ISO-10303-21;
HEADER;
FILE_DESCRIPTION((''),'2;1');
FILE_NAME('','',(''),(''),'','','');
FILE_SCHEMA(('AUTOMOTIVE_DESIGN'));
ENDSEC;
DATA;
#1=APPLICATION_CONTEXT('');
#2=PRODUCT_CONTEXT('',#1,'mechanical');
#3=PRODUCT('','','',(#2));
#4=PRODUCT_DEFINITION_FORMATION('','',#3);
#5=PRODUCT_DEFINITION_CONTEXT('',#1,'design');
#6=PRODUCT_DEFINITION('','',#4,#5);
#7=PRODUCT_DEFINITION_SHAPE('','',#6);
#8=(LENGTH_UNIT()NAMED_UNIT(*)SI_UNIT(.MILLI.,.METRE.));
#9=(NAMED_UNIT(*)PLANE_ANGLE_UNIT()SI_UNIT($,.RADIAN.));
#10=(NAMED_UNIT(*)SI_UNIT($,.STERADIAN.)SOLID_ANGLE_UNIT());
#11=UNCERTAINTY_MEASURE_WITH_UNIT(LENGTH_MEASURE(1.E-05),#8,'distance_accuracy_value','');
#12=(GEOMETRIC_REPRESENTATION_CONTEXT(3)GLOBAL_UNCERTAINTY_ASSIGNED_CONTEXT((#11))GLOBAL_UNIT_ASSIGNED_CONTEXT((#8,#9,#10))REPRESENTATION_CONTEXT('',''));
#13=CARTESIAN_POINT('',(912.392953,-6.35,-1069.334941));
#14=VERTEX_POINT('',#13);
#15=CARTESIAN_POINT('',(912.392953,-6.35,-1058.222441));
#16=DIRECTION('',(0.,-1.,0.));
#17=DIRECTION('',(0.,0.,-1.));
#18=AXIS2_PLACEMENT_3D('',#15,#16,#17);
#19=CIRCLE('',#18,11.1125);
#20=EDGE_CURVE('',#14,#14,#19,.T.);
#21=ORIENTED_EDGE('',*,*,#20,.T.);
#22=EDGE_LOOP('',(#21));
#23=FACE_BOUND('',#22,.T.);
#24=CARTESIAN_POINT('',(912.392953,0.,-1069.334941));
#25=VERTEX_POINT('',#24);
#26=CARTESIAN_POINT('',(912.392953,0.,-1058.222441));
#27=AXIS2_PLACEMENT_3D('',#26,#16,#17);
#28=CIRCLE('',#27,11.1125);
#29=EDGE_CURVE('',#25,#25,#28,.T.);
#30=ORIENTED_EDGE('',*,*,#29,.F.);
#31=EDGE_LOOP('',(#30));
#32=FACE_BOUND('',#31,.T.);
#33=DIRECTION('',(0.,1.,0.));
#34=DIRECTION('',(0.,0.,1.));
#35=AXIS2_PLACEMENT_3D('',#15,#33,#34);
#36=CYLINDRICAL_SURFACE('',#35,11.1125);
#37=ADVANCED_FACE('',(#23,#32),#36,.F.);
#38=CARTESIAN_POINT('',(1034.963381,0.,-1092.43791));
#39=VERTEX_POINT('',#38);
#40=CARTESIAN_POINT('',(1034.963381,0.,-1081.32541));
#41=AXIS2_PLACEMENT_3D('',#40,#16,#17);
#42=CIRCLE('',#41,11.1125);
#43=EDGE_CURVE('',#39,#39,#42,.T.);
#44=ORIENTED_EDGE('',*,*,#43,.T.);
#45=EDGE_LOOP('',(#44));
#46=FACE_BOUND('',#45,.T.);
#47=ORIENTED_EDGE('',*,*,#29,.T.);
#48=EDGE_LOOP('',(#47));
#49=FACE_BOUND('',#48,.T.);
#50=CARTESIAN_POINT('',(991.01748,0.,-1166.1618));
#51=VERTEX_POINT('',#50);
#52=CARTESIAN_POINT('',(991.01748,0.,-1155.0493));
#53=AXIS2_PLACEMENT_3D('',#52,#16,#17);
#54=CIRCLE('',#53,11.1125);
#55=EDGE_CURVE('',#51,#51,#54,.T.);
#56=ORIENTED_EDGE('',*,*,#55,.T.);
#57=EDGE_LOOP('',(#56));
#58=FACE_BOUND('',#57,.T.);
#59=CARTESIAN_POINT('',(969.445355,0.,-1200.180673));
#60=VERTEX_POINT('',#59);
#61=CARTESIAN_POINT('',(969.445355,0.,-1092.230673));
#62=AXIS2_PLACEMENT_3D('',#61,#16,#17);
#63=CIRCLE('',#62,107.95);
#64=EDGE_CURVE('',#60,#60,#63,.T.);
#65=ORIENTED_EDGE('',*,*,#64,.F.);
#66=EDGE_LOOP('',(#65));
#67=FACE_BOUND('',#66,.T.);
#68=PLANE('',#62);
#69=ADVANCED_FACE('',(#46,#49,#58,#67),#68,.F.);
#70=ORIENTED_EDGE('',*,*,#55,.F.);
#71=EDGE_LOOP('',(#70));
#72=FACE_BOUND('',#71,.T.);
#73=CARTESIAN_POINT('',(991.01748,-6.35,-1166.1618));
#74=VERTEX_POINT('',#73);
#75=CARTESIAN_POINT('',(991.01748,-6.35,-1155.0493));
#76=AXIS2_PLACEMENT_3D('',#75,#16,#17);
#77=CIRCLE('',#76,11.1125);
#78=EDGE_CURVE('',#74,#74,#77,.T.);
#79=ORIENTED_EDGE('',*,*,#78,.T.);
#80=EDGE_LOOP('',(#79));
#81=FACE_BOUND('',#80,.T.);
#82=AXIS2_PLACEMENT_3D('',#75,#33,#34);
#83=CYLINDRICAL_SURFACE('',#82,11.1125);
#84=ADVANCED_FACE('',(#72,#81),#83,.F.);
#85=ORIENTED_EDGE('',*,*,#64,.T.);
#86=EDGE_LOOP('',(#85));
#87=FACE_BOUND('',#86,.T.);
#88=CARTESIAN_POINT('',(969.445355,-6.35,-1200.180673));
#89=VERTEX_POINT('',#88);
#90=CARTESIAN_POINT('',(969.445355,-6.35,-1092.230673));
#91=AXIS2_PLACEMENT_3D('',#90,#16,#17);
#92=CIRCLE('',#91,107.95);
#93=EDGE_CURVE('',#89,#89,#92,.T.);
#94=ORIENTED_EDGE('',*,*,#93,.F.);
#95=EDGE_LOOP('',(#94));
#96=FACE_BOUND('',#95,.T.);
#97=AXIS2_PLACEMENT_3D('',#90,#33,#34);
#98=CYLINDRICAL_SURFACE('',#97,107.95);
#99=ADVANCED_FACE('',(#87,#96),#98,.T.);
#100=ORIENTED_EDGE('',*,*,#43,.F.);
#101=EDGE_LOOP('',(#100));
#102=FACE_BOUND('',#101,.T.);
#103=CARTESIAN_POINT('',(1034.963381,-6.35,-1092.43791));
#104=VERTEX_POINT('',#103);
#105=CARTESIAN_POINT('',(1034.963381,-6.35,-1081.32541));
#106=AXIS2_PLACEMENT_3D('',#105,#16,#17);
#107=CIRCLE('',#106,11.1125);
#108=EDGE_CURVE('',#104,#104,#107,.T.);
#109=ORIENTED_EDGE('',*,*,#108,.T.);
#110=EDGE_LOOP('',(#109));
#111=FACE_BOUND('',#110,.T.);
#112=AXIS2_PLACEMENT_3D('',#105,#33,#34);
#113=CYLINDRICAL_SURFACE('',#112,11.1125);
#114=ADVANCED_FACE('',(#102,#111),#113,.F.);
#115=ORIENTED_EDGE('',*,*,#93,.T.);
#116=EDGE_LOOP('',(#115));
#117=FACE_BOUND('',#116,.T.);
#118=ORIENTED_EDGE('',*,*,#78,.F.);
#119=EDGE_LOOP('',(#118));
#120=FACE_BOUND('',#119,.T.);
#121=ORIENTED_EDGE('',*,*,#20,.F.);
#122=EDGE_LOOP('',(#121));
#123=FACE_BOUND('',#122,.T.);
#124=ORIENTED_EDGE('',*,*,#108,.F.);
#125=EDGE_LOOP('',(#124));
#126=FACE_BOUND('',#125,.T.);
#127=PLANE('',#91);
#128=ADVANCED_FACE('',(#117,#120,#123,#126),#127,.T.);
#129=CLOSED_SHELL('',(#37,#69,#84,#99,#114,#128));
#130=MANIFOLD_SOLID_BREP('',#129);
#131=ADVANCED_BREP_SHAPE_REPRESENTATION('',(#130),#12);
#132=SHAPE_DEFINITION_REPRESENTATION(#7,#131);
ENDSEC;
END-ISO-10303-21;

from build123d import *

# Parameters (mm, degrees)
SKETCH1_R           = 107.95
SKETCH1_R_2         = 11.1125
BOSS_EXTRUDE1_DEPTH = 6.35


with BuildPart() as part:
    # Sketch1 → Boss-Extrude1 (new body)
    with BuildSketch(Plane.XZ):
        with Locations(Location((969.445355233, -1092.230672994, 0), (0, 0, 270))):
            Circle(SKETCH1_R)
        with Locations(Location((1034.963380784, -1081.325409572, 0), (0, 0, 270))):
            Circle(SKETCH1_R_2, mode=Mode.SUBTRACT)
        with Locations(Location((991.017480219, -1155.049299737, 0), (0, 0, 270))):
            Circle(SKETCH1_R_2, mode=Mode.SUBTRACT)
        with Locations(Location((912.39295322, -1058.222440653, 0), (0, 0, 270))):
            Circle(SKETCH1_R_2, mode=Mode.SUBTRACT)
    extrude(amount=BOSS_EXTRUDE1_DEPTH)


solid = part.part
